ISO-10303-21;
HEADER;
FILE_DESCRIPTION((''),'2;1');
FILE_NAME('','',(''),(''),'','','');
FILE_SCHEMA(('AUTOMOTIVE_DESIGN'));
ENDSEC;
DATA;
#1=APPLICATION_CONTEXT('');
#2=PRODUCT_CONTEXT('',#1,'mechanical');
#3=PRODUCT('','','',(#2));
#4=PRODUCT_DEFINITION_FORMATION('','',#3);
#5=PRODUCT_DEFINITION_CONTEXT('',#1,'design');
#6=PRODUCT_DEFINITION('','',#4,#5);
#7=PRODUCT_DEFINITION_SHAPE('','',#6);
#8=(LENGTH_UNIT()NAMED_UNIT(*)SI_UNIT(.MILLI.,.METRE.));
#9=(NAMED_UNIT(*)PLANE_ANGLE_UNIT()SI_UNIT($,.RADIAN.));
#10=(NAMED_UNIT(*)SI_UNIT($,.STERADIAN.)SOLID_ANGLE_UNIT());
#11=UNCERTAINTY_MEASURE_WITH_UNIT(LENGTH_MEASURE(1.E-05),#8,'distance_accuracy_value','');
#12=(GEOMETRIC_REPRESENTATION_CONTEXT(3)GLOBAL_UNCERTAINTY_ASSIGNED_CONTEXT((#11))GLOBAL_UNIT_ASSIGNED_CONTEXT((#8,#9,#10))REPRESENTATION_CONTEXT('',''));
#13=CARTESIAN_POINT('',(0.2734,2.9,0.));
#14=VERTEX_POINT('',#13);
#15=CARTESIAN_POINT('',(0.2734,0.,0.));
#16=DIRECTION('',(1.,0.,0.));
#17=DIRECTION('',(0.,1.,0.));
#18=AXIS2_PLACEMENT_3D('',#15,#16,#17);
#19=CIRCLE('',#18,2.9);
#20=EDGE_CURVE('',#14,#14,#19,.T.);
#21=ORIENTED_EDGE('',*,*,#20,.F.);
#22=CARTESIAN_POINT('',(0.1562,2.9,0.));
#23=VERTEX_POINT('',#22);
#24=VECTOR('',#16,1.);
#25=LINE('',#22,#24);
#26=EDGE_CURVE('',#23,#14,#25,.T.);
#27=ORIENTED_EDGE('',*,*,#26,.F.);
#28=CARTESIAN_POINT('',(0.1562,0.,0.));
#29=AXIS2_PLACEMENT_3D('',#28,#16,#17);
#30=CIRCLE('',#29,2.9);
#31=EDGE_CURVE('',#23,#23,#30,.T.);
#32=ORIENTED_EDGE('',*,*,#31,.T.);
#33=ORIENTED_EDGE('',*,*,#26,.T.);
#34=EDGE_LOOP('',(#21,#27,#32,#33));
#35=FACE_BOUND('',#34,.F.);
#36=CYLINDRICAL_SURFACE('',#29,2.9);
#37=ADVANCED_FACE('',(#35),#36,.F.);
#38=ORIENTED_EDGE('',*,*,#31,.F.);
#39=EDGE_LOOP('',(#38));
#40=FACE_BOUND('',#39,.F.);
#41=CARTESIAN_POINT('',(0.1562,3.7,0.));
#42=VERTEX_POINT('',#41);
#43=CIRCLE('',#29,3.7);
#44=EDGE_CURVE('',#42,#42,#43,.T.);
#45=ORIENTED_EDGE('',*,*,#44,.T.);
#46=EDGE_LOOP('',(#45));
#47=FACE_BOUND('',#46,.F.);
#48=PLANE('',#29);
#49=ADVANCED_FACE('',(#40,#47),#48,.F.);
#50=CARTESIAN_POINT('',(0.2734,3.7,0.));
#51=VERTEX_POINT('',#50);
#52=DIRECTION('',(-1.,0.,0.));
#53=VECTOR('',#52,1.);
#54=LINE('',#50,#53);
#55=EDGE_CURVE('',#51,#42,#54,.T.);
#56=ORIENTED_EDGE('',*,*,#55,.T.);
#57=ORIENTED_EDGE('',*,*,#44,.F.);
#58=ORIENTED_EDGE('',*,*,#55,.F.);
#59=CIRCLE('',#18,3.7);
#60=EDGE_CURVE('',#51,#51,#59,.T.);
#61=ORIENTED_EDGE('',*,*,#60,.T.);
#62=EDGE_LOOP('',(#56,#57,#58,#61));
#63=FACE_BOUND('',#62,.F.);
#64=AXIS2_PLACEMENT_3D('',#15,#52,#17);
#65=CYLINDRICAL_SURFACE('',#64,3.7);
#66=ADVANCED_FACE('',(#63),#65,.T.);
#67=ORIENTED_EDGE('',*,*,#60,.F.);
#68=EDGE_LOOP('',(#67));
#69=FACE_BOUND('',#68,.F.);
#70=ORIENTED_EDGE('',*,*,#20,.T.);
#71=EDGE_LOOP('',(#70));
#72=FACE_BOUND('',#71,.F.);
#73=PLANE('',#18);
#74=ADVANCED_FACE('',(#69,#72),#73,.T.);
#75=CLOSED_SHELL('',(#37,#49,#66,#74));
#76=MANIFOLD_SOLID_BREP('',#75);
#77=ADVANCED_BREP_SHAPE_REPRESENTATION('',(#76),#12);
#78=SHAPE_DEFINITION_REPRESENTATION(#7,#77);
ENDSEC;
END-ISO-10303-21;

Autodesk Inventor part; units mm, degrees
sketch "Sketch_1" plane through (0, 0, 0) normal (0, 0, 1) x (1, 0, 0)
  line L0 (0.2734, 0) -> (0.1562, 0)
  line L1 (0.1562, 2.9) -> (0.2734, 2.9)
  line L2 (0.2734, 2.9) -> (0.2734, 3.7)
  line L3 (0.2734, 3.7) -> (0.1562, 3.7)
  line L4 (0.1562, 3.7) -> (0.1562, 2.9)
revolve "Revolution1" add sketch "Sketch_1" angle 360 about axis through (0.2734, 0, 0) along (1, 0, 0)
ref_plane "ip_st_1_XY" through (0.1562, 0, 0) normal (-1, 0, 0) x (0, 0, -1)
ref_plane "ip_st_1_YZ" through (0.1562, 0, 0) normal (0, 0, -1) x (0, -1, 0)
ref_plane "ip_st_1_ZX" through (0.1562, 0, 0) normal (0, -1, 0) x (-1, 0, 0)
properties part number "MF85ZZ Shield1"
